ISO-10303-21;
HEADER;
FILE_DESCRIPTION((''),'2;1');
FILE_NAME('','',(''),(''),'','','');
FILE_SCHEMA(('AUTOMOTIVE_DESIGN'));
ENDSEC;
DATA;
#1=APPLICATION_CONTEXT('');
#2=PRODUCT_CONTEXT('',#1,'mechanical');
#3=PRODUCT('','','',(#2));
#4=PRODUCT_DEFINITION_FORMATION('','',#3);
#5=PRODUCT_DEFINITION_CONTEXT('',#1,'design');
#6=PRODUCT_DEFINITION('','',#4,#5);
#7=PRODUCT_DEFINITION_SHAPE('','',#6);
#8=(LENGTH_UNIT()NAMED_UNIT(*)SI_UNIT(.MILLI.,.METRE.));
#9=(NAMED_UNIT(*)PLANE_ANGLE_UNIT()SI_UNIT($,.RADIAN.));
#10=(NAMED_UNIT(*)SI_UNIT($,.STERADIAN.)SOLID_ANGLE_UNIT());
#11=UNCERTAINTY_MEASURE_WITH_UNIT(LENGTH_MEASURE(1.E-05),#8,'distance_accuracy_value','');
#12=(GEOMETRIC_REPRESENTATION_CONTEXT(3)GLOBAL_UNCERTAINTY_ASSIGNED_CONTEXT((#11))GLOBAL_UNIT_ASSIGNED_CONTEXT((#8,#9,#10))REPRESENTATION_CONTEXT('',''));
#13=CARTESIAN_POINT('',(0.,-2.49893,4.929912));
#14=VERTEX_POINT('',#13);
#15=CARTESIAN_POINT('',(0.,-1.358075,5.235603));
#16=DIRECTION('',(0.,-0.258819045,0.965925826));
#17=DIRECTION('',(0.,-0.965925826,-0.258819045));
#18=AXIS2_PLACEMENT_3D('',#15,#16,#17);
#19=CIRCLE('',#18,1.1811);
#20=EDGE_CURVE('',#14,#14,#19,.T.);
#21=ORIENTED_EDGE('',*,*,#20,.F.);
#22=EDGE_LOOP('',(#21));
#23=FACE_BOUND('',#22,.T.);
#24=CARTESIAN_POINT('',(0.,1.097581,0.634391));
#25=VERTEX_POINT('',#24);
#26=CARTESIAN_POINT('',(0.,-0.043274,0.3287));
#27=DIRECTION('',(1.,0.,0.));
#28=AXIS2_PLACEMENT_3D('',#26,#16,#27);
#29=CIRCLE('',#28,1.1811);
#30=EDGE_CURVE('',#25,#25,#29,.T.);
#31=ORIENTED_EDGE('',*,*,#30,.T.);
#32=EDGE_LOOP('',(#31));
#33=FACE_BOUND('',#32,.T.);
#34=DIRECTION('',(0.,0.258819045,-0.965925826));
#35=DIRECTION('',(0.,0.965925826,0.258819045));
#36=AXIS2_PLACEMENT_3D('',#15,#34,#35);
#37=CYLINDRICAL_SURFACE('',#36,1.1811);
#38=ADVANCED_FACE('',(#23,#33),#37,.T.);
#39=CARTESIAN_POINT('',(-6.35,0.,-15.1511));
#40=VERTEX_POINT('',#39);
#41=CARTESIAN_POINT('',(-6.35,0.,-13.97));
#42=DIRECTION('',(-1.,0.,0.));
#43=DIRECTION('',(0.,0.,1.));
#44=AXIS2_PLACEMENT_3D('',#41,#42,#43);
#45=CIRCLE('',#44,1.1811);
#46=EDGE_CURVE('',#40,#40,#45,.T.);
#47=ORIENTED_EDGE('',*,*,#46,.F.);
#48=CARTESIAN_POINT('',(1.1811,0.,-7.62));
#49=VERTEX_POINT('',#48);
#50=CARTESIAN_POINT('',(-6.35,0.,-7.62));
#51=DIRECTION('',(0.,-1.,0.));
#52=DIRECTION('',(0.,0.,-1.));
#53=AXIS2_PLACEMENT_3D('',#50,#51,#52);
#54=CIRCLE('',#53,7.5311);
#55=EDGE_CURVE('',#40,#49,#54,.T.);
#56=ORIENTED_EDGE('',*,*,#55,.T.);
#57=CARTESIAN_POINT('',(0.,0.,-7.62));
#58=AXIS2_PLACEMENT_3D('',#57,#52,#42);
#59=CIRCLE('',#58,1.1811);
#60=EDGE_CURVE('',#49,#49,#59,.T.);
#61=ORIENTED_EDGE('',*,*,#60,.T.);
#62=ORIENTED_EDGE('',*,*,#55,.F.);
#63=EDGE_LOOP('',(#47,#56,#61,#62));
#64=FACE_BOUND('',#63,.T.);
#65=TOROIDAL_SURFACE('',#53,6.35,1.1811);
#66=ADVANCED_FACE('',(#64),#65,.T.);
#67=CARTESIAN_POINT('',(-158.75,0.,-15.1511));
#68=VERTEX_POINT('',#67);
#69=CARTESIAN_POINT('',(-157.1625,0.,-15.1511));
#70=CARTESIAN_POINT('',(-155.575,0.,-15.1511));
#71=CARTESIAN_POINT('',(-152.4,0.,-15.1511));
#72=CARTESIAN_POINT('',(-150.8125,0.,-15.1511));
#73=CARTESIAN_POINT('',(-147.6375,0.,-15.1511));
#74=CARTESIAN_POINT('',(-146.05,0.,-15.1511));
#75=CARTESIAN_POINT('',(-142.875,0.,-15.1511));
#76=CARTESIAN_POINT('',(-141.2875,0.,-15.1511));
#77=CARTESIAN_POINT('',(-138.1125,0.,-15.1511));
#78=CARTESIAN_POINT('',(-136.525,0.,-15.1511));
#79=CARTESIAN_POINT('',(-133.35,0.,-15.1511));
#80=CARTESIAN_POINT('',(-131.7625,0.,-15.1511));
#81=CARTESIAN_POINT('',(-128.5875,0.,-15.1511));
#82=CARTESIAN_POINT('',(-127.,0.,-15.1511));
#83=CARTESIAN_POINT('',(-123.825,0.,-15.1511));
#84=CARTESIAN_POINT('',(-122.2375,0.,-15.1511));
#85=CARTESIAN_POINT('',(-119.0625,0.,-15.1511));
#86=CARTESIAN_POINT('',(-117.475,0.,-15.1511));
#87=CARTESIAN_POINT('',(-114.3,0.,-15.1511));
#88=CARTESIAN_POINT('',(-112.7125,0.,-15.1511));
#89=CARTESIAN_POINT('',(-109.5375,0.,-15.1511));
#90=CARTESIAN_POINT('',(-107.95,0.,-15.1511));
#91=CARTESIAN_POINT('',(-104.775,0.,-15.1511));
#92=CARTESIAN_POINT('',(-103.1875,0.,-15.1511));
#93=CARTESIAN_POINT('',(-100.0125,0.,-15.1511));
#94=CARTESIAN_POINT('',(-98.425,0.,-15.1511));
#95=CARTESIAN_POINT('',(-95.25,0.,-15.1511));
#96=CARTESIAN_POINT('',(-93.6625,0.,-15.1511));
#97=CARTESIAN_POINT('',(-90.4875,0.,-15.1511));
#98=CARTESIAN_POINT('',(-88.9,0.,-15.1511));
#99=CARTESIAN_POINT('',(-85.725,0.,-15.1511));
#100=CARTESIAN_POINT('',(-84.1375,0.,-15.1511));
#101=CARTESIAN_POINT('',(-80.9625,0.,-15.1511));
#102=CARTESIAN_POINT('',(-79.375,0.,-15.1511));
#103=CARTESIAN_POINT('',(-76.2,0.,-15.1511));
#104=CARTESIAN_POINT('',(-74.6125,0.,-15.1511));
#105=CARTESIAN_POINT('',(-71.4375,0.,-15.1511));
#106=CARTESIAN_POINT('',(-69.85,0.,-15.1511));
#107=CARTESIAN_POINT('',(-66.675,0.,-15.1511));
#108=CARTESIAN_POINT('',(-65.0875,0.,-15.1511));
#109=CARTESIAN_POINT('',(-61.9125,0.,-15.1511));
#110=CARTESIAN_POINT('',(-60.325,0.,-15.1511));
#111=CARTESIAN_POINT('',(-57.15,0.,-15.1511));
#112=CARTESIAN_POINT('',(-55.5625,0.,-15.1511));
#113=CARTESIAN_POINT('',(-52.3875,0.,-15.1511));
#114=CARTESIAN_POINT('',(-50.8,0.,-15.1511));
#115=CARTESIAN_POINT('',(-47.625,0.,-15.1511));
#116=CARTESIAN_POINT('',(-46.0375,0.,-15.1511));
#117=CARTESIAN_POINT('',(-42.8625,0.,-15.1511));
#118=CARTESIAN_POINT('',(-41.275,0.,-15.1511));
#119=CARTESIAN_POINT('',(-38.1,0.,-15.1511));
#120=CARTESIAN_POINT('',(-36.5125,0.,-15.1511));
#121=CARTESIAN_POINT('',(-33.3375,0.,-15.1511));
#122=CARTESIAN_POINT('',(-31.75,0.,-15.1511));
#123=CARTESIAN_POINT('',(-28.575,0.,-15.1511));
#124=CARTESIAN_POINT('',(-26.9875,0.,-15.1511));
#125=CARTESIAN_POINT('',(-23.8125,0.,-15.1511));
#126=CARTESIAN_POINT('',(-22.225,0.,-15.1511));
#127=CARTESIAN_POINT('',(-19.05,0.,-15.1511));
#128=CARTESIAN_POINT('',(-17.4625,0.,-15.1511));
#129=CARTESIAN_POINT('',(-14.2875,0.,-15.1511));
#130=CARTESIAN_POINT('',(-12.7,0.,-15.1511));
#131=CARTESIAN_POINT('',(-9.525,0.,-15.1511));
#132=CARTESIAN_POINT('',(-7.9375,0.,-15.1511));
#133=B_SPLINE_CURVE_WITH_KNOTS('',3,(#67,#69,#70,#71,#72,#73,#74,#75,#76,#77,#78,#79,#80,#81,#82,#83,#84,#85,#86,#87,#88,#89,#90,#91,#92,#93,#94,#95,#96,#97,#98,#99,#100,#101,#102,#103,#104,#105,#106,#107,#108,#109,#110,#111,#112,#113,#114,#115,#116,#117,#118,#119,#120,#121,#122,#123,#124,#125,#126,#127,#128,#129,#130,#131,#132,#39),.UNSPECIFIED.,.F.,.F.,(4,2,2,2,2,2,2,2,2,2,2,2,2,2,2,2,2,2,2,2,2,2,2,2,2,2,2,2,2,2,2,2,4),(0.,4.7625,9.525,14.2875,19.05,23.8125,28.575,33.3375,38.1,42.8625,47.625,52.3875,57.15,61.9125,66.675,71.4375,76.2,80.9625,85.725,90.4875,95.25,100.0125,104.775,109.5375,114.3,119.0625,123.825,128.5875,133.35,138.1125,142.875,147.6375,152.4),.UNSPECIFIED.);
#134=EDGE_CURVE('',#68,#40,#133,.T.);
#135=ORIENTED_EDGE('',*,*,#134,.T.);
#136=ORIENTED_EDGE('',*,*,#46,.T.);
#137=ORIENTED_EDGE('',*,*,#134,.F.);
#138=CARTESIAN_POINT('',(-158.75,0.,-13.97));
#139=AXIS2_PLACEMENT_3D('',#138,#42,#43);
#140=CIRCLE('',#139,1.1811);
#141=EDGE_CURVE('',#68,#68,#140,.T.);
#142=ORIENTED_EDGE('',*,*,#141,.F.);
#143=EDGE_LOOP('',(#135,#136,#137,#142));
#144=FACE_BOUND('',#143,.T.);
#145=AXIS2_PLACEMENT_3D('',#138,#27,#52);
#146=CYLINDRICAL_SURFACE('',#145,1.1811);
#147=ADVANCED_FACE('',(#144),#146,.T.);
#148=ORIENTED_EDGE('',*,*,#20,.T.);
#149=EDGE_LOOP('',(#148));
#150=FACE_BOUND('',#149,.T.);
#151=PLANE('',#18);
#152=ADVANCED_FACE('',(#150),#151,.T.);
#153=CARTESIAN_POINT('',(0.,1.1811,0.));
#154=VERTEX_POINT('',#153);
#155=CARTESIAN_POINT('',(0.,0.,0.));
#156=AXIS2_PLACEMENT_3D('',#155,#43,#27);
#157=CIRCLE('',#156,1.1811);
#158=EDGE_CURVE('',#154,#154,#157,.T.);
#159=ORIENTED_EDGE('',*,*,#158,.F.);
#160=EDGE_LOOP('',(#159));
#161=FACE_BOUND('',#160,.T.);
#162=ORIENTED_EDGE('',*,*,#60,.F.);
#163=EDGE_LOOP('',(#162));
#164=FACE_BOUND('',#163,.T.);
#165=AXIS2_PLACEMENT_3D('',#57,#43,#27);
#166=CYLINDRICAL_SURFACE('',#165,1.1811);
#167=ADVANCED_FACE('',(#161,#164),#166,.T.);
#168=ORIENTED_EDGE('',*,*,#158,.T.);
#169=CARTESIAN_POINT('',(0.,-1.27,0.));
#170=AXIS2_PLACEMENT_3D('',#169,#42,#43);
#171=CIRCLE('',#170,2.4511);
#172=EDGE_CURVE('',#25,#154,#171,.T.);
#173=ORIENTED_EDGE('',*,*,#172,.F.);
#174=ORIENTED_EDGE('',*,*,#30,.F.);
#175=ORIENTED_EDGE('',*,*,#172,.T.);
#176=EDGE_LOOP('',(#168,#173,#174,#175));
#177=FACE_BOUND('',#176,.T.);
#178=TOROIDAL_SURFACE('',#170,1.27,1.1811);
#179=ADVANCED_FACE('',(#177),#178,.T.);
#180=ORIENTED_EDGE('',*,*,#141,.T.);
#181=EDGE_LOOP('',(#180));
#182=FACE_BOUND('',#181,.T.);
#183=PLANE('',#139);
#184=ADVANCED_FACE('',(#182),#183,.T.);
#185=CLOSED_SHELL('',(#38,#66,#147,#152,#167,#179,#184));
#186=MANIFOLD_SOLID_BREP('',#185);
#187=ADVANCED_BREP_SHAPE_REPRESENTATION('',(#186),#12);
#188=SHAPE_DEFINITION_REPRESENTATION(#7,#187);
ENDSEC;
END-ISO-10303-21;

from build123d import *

# Parameters (mm, degrees)
SKETCH1_R           = 1.1811
RODEND_DEPTH        = 7.62
SKETCH4_R           = 1.1811
REVOLVE1_ANGLE      = 90
SKETCH5_R           = 1.1811
BOSS_EXTRUDE1_DEPTH = 152.4
SKETCH6_R           = 1.1811
REVOLVE2_ANGLE      = 15
SKETCH7_R           = 1.1811
BOSS_EXTRUDE2_DEPTH = 5.08


with BuildPart() as part:
    # Sketch1 → RodEnd (new body)
    with BuildSketch(Plane.XY):
        Circle(SKETCH1_R)
    extrude(amount=-RODEND_DEPTH)

    # Sketch4 → Revolve1 (revolve)
    with BuildSketch(Plane(origin=(0, 0, -7.62), x_dir=(-1, 0, 0), z_dir=(0, 0, -1))):
        with Locations(Location((0, 0, 0), (0, 0, 180))):
            Circle(SKETCH4_R)
    revolve(axis=Axis((-6.35, 0, -7.62), (0, 1, 0)), revolution_arc=REVOLVE1_ANGLE)

    # Sketch5 → Boss-Extrude1 (add)
    with BuildSketch(Plane.ZY.offset(6.35)):
        with Locations(Location((-13.97, 0, 0), (0, 0, 180))):
            Circle(SKETCH5_R)
    extrude(amount=BOSS_EXTRUDE1_DEPTH)

    # Sketch6 → Revolve2 (revolve)
    with BuildSketch(Plane.XY):
        Circle(SKETCH6_R)
    revolve(axis=Axis((0, -1.27, 0), (1, 0, 0)), revolution_arc=REVOLVE2_ANGLE)

    # Sketch7 → Boss-Extrude2 (add)
    with BuildSketch(Plane(origin=(0, -0.085073869, 0.3175), x_dir=(-1, 0, 0), z_dir=(0, -0.25881904510252135, 0.9659258262890682))):
        with Locations(Location((0, -0.043274201, 0), (0, 0, 270))):
            Circle(SKETCH7_R)
    extrude(amount=BOSS_EXTRUDE2_DEPTH)


solid = part.part
